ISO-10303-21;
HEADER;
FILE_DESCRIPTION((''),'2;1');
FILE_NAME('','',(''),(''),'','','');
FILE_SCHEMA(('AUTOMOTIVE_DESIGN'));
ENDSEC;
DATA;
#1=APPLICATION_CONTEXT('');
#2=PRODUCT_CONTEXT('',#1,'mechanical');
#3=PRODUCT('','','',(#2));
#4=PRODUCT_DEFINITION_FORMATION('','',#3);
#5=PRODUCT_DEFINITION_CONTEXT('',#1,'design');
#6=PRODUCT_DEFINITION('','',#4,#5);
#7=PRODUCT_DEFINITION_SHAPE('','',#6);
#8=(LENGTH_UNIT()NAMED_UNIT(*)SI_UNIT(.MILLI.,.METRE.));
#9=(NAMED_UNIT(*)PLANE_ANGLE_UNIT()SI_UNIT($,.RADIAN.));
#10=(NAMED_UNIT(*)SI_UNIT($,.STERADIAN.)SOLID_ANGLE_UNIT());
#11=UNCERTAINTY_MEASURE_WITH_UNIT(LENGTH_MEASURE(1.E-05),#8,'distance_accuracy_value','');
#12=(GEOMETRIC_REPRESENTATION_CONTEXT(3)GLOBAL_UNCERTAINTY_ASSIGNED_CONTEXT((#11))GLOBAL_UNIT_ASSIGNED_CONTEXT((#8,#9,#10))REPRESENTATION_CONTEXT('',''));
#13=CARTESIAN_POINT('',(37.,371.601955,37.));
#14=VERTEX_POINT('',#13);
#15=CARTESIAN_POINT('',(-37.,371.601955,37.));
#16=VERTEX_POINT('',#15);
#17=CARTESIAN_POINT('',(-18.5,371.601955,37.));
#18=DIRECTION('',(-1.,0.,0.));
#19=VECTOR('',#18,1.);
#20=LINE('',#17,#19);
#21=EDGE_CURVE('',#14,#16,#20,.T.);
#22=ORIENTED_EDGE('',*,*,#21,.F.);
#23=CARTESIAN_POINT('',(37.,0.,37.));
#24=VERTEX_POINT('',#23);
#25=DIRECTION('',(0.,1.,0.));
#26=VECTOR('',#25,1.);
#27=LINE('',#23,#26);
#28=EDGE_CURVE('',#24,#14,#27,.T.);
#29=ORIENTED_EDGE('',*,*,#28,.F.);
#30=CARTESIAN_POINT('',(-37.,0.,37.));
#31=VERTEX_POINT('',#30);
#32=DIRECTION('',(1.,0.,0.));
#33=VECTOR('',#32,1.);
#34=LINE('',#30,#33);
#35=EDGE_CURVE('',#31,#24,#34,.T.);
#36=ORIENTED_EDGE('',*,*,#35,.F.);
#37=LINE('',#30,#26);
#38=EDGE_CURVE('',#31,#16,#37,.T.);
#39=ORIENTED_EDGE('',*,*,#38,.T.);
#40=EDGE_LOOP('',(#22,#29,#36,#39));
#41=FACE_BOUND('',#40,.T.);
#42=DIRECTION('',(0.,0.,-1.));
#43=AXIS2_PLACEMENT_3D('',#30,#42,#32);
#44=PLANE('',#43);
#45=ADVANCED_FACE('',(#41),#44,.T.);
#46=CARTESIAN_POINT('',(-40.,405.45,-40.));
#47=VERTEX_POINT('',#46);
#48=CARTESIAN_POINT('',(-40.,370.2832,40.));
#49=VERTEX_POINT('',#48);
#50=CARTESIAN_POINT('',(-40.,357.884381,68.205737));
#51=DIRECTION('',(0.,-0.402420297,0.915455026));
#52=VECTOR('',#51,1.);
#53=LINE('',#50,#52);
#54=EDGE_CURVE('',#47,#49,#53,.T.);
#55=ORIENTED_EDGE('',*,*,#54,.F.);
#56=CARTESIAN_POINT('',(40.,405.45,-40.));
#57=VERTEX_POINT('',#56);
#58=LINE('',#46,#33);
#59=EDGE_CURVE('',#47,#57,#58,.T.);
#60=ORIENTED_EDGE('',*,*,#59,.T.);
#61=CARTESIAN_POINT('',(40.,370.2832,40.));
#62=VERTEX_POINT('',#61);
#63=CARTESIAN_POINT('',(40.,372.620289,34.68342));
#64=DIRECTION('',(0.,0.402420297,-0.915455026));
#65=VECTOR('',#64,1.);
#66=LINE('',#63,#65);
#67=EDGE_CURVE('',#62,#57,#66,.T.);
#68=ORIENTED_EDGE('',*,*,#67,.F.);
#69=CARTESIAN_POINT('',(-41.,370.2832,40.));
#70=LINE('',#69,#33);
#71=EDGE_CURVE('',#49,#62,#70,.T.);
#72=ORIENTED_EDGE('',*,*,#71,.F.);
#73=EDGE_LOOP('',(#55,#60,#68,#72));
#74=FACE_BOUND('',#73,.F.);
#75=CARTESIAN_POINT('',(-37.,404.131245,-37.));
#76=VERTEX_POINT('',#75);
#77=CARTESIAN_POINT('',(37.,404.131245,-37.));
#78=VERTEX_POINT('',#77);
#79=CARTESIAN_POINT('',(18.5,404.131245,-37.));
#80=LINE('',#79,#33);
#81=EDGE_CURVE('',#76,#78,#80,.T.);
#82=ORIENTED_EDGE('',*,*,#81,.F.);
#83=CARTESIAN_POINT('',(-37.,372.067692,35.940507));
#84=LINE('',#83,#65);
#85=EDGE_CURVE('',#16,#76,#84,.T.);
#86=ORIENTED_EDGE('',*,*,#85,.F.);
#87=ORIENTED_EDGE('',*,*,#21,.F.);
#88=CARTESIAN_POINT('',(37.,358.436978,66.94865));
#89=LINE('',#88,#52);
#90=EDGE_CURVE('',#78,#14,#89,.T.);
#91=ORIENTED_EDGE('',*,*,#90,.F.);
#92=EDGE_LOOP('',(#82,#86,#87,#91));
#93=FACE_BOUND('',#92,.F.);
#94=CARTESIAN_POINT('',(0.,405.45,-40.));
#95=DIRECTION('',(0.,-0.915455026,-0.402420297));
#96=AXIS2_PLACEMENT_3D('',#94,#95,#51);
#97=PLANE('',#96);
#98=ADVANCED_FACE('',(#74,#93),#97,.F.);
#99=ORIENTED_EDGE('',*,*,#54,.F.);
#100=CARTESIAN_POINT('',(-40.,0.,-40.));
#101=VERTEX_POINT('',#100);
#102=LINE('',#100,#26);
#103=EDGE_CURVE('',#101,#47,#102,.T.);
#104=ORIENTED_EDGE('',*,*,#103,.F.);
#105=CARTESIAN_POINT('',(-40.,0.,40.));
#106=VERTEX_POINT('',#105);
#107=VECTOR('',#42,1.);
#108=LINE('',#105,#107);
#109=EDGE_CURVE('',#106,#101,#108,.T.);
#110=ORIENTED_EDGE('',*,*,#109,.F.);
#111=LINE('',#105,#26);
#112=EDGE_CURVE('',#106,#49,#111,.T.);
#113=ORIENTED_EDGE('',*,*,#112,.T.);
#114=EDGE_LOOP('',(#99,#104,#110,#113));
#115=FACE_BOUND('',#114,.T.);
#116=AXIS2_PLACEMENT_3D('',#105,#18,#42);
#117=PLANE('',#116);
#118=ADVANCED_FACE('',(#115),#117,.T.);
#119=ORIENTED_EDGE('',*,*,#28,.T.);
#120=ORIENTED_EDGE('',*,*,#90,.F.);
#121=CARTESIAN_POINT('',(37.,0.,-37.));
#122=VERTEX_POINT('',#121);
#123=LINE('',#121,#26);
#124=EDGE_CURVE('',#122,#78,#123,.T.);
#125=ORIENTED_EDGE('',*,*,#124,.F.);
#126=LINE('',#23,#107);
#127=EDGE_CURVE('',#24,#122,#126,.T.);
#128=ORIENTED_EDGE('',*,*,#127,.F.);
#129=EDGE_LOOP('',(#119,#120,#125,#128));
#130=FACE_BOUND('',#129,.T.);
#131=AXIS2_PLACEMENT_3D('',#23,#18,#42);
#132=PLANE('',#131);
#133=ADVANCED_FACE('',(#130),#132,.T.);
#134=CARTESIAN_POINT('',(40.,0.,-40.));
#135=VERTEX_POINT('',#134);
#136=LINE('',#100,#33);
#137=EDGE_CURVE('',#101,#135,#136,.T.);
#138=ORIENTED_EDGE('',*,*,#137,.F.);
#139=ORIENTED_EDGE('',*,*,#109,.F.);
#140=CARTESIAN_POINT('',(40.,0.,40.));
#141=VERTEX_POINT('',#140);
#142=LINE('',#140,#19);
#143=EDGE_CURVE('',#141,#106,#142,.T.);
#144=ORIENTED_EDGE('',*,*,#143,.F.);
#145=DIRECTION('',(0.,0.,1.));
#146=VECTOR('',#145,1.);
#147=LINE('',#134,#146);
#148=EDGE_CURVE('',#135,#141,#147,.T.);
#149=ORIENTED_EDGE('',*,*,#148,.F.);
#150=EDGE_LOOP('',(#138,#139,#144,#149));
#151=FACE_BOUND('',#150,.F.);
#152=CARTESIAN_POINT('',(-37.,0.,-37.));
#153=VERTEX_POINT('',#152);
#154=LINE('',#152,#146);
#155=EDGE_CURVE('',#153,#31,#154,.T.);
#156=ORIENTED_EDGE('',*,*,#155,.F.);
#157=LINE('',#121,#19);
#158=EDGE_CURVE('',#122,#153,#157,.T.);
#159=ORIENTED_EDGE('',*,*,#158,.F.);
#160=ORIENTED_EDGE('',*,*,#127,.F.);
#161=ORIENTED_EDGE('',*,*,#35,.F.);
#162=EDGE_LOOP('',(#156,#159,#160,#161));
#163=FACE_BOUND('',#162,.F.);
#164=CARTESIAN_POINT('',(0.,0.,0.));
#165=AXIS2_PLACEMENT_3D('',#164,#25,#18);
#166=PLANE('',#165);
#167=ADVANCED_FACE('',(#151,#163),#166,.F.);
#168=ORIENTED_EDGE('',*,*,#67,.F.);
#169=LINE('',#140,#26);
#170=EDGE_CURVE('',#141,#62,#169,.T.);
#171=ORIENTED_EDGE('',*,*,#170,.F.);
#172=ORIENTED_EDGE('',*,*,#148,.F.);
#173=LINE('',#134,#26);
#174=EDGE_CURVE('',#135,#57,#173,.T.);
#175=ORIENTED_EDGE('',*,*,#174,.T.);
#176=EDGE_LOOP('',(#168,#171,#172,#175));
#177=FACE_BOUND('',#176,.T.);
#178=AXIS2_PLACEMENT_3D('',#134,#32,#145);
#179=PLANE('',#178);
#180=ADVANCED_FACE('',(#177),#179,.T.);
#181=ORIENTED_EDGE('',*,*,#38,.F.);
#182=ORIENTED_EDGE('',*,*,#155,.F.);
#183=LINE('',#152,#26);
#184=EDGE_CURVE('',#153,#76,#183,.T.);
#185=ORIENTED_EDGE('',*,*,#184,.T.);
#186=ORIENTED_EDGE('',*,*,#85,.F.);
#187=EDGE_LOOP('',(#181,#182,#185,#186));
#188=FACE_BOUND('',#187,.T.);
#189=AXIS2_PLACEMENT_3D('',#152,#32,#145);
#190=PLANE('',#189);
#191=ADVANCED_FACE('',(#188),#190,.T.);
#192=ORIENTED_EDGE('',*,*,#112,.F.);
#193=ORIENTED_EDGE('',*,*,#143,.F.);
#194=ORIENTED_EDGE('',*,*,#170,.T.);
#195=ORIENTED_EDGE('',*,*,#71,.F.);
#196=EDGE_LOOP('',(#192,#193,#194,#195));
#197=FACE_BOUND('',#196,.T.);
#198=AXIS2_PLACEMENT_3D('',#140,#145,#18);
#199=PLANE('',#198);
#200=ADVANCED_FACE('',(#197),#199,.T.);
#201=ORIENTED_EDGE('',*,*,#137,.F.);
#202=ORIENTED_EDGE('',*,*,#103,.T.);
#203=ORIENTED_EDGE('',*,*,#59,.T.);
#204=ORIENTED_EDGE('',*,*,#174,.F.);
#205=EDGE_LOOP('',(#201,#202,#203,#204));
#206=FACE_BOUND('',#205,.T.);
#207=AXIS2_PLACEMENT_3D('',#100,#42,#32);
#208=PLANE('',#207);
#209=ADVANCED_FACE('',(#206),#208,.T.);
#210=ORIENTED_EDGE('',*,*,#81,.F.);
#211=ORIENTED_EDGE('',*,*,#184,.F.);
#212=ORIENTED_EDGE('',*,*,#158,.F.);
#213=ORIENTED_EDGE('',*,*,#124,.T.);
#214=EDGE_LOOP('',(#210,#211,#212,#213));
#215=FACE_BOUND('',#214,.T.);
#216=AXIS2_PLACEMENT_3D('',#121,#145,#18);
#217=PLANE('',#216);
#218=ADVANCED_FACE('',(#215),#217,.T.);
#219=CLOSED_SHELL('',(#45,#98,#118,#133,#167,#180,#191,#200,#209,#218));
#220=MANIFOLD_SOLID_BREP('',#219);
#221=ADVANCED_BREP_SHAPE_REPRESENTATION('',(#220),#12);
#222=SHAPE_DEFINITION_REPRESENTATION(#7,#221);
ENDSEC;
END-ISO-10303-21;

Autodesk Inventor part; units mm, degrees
ref_plane "YZ Plane" through (0, 0, 0) normal (1, 0, 0) x (0, 1, 0)
ref_plane "XZ Plane" through (0, 0, 0) normal (0, 1, 0) x (-1, 0, 0)
ref_plane "XY Plane" through (0, 0, 0) normal (0, 0, 1) x (1, 0, 0)
sketch "Sketch1" plane through (0, 0, 0) normal (0, 1, 0) x (-1, 0, 0)
  line L0 (40, -40) -> (-40, -40)
  line L1 (-40, -40) -> (-40, 40)
  line L2 (-40, 40) -> (40, 40)
  line L3 (40, 40) -> (40, -40)
  line L4 (40, -40) -> (-40, 40) construction
  line L5 (-40, -40) -> (40, 40) construction
  line L6 (-37, -37) -> (37, -37)
  line L7 (37, -37) -> (37, 37)
  line L8 (37, 37) -> (-37, 37)
  line L9 (-37, 37) -> (-37, -37)
  point P0 (0, 0)
  dimension "d0" = 3
  dimension "d1" = 80
extrude "Extrusion1" add sketch "Sketch1" along normal blind 405.45
sketch "Sketch2" plane through (0, 0, 0) normal (1, 0, 0) x (0, 1, 0)
  line L0 (0, 40) -> (0, -40) construction
  line L1 (0, -40) -> (405.45, -40) projected
  line L2 (405.45, 40) -> (405.45, -40) projected
  line L3 (0, 40) -> (405.45, 40) projected
  line L4 (0, -40) -> (405.45, -40) projected
  line L5 (405.45, -40) -> (370.2832, 40)
  point P0 (0, 0)
  dimension "d4" = 23.73
extrude "Extrusion2" cut sketch "Sketch2" along normal through all both and the other way through all
equation "\"d1\" = Legs_Tube_dim"
equation "\"d4\" = Legs_Tube_cut_angle"
equation "\"Legs_Tube_dim\" = 80"
properties part number "PRS 9681 leg tube_D1200"
